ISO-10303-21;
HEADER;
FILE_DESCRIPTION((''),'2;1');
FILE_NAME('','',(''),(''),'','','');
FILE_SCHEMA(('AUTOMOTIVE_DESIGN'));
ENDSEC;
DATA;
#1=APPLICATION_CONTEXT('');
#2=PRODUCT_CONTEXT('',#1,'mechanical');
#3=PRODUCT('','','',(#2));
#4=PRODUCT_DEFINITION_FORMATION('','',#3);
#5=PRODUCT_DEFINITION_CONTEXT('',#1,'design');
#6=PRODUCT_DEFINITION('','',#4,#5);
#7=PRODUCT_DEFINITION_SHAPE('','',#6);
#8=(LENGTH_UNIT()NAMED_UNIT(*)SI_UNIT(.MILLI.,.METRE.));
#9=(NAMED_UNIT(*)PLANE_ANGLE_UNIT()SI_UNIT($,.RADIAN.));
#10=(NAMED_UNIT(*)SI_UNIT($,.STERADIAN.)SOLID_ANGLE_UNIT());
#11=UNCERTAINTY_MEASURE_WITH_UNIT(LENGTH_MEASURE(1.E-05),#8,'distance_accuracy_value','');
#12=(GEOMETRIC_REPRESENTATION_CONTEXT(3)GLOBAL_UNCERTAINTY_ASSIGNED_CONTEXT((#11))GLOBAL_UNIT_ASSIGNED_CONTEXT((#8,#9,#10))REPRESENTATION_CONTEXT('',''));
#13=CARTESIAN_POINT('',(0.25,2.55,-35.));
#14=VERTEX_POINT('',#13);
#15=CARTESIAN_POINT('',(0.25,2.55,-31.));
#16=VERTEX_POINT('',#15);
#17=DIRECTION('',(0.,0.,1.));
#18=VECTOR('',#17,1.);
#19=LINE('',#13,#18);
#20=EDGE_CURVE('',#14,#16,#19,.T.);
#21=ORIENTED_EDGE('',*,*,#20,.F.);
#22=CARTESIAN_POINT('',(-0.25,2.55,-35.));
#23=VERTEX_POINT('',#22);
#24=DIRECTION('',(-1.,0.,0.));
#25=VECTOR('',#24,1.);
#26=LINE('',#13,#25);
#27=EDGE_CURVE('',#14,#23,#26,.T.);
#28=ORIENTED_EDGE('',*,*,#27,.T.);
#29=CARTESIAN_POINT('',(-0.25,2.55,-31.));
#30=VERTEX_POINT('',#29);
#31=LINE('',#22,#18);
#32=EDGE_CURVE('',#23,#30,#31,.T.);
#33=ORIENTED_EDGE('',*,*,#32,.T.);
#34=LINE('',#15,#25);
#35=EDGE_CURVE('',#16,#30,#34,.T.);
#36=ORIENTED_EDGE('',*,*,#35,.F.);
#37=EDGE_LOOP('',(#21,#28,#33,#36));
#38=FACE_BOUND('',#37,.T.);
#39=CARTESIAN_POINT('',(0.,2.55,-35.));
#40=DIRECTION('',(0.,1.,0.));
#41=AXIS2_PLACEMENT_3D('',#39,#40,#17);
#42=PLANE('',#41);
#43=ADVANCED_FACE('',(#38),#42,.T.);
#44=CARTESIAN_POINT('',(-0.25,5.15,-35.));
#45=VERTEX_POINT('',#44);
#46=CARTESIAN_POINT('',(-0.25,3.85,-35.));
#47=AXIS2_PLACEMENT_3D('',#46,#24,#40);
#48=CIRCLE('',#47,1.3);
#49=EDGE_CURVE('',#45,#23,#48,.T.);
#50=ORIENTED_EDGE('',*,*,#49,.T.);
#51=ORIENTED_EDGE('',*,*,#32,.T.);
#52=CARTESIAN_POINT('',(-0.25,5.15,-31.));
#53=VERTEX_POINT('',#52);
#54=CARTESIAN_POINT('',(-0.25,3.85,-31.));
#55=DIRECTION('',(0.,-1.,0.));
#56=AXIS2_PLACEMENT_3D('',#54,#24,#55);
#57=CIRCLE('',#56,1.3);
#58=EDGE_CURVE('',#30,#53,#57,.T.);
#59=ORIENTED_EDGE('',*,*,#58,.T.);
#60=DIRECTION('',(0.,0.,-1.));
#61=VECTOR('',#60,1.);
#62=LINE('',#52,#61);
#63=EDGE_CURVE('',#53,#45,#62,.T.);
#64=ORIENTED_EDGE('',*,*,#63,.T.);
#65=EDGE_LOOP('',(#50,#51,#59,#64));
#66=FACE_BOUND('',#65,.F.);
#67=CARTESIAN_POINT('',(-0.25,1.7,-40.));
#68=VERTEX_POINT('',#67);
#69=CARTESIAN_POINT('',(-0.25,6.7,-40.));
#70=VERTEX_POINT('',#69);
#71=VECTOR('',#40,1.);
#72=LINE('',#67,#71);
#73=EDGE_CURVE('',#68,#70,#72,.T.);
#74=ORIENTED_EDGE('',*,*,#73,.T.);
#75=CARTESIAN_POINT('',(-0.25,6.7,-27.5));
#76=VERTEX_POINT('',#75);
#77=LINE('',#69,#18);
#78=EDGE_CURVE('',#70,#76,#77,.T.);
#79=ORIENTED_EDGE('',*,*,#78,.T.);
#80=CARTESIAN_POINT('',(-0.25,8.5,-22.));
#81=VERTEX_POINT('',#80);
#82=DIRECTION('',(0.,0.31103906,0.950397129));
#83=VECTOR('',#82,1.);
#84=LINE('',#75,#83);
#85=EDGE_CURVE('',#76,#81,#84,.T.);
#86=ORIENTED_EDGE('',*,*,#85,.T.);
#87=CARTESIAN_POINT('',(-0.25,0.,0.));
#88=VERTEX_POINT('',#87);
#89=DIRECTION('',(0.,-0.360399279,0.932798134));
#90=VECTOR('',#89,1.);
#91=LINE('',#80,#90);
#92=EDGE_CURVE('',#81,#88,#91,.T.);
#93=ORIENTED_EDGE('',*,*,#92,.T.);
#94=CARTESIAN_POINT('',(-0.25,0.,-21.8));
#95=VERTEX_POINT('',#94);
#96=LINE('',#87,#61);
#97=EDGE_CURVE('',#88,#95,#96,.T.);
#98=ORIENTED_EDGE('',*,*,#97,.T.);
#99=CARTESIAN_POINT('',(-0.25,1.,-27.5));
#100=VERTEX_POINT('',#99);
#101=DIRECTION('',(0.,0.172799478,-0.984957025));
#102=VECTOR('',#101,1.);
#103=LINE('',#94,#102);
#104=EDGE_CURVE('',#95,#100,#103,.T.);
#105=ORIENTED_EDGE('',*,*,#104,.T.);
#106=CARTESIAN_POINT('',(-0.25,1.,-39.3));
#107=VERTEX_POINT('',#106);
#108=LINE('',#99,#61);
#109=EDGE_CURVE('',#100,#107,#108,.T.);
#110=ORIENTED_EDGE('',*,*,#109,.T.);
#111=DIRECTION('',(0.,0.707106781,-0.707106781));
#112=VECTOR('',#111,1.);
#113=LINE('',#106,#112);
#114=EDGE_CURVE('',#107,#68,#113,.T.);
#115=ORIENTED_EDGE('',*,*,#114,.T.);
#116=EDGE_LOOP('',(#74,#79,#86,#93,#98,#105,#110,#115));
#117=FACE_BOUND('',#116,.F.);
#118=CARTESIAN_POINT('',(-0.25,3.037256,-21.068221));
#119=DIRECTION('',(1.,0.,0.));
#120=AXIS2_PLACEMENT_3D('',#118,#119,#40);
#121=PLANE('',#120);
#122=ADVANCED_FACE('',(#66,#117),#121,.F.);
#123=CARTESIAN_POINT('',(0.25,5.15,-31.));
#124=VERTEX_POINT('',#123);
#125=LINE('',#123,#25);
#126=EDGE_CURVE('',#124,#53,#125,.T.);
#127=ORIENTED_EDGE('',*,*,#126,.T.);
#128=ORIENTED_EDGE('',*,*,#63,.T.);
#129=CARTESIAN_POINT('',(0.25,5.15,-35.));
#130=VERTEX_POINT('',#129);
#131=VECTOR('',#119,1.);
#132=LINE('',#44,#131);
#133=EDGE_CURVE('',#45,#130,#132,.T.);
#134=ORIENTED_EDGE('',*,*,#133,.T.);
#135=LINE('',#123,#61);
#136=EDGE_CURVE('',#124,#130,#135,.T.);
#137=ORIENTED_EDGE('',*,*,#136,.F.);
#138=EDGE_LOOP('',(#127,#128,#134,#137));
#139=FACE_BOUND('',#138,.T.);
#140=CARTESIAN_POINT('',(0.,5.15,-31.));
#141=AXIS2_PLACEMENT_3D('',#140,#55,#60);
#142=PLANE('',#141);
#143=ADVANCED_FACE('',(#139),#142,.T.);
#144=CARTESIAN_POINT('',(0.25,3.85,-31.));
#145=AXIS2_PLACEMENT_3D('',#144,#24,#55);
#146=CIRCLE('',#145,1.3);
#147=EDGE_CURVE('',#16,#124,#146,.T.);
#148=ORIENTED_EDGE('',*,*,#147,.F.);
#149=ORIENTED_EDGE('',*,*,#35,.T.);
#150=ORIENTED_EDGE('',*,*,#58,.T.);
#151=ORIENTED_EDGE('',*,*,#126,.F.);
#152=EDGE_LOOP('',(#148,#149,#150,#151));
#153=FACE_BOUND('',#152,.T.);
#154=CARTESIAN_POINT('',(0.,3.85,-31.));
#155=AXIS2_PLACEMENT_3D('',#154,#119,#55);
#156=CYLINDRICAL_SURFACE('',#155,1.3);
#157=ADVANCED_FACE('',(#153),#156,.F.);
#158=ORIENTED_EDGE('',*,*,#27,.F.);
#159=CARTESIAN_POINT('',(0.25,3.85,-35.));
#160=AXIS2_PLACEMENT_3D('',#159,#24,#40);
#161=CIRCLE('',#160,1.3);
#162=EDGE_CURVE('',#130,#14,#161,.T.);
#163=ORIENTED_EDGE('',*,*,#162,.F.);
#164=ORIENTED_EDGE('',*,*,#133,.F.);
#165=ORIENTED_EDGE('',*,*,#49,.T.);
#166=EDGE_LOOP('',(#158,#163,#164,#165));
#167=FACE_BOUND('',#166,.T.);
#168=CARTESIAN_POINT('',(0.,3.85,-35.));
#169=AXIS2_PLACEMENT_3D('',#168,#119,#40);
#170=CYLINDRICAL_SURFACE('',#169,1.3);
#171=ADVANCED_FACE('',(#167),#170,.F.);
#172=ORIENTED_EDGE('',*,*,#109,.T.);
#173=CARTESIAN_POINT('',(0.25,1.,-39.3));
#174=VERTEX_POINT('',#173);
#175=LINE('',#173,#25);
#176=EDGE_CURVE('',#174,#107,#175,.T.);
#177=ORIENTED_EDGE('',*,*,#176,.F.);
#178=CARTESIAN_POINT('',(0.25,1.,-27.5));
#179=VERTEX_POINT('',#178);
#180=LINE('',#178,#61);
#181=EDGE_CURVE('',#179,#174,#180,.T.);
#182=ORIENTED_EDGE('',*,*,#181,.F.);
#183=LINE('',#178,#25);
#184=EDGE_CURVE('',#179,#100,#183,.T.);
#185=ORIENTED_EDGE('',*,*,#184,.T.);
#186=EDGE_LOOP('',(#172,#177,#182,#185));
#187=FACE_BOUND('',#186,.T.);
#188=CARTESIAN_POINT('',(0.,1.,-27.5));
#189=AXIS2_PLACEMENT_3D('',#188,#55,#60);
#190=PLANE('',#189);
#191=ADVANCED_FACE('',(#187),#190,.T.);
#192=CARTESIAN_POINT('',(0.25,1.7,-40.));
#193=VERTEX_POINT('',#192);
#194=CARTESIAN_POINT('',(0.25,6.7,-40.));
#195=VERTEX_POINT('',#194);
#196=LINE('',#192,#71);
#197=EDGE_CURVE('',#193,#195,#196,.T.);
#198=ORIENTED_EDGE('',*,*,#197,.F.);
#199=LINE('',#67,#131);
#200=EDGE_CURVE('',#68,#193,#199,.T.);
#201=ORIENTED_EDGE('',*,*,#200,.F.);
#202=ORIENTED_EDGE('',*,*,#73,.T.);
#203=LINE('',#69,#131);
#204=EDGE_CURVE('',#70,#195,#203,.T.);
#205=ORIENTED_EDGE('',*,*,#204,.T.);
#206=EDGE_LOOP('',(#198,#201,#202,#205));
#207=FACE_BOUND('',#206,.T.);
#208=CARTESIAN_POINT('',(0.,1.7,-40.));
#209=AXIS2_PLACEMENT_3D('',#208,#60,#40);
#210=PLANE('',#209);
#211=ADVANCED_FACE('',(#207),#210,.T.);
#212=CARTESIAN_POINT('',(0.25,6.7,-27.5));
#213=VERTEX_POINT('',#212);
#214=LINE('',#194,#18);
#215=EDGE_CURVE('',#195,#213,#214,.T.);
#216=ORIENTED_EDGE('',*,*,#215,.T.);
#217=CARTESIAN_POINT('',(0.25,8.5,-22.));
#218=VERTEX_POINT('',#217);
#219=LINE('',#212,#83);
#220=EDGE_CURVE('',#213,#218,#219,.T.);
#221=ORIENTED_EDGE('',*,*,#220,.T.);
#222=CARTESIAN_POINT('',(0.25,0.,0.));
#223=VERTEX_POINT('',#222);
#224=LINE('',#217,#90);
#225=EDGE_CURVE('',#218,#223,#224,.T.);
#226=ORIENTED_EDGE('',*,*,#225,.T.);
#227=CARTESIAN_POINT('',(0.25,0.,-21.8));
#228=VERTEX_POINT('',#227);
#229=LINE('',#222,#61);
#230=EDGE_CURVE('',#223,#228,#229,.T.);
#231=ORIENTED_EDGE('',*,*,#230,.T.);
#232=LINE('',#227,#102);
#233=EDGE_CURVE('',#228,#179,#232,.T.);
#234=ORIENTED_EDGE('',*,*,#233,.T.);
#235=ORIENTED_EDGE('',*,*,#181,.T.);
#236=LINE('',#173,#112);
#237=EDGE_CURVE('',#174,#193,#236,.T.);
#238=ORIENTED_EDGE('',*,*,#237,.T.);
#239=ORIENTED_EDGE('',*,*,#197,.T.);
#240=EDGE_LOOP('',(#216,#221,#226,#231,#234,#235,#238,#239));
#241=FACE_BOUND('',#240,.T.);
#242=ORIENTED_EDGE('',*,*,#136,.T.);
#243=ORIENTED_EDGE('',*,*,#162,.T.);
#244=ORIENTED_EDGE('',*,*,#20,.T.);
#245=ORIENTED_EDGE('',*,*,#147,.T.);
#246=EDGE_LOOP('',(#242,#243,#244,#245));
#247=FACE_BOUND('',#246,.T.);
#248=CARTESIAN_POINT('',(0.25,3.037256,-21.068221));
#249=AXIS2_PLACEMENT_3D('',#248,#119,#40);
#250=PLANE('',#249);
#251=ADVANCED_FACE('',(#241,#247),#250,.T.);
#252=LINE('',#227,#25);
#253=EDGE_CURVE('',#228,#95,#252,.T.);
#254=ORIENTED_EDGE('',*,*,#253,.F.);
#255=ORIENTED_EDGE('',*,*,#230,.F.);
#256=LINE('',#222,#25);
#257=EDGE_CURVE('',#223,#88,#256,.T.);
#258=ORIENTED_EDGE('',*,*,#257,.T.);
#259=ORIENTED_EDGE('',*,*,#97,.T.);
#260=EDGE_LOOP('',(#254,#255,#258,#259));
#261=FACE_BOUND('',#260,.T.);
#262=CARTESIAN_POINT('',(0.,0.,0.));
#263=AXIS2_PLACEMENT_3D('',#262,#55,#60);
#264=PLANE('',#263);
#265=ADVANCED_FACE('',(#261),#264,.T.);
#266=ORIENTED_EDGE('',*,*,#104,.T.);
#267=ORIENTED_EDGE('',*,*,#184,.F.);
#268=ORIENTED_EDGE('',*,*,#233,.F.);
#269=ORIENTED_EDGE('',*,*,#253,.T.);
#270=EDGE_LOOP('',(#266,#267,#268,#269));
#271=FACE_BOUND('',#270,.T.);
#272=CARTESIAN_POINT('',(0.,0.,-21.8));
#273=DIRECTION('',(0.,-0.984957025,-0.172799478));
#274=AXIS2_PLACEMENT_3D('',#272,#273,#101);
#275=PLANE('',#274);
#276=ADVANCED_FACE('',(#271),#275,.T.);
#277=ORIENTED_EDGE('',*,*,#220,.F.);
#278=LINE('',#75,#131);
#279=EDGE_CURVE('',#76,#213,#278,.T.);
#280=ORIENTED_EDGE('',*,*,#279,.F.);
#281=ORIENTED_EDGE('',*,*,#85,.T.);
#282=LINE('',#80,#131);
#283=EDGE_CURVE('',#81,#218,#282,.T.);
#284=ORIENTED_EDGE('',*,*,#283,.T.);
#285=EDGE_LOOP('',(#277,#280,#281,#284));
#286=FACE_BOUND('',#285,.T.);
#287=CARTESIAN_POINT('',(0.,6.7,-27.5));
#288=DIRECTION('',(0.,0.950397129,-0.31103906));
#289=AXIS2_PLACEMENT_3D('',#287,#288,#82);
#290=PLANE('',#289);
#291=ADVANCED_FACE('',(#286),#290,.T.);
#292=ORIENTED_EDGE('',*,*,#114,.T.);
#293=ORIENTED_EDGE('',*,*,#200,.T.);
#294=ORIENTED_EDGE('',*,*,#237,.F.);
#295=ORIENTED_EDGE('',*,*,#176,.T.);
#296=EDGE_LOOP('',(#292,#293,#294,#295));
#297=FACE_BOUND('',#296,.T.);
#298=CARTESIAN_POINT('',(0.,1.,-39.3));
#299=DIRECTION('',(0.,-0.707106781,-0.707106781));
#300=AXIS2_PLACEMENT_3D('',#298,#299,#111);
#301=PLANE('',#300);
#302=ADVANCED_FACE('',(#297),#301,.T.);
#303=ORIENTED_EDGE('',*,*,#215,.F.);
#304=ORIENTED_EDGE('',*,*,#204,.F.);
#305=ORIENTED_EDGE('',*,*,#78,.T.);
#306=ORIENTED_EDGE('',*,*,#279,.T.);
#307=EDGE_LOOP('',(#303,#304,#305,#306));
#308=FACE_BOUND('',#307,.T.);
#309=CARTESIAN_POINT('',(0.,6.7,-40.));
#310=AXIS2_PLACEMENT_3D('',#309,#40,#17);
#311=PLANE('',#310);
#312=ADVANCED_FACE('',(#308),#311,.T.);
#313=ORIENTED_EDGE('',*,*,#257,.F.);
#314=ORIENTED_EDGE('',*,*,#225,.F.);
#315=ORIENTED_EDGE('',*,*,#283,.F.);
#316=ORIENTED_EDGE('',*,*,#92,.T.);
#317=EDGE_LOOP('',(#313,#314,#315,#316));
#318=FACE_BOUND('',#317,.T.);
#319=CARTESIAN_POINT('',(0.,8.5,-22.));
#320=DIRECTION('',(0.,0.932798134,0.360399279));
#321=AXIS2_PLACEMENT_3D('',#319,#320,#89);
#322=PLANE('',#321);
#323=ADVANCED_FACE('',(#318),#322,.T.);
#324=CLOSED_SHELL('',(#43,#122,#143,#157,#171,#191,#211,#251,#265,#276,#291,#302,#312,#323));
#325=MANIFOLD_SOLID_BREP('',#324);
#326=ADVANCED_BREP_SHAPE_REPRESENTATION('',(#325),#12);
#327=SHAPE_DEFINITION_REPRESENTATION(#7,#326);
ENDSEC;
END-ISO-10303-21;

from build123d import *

# Parameters (mm, degrees)
F1_DEPTH = 0.25


with BuildPart() as f1:
    # F0 (on Right) → F1 (new body, symmetric)
    with BuildSketch(Plane.YZ):
        Polygon((1, -39.3), (1.7, -40), (6.7, -40), (6.7, -27.5), (8.5, -22), (0, 0), (0, -21.8), (1, -27.5), align=None)
        with BuildLine():
            ThreePointArc((5.15, -35), (3.85, -36.3), (2.55, -35))
            Line((2.55, -35), (2.55, -31))
            ThreePointArc((2.55, -31), (3.85, -29.7), (5.15, -31))
            Line((5.15, -31), (5.15, -35))
        make_face(mode=Mode.SUBTRACT)
    extrude(amount=F1_DEPTH, both=True)


solid = f1.part
